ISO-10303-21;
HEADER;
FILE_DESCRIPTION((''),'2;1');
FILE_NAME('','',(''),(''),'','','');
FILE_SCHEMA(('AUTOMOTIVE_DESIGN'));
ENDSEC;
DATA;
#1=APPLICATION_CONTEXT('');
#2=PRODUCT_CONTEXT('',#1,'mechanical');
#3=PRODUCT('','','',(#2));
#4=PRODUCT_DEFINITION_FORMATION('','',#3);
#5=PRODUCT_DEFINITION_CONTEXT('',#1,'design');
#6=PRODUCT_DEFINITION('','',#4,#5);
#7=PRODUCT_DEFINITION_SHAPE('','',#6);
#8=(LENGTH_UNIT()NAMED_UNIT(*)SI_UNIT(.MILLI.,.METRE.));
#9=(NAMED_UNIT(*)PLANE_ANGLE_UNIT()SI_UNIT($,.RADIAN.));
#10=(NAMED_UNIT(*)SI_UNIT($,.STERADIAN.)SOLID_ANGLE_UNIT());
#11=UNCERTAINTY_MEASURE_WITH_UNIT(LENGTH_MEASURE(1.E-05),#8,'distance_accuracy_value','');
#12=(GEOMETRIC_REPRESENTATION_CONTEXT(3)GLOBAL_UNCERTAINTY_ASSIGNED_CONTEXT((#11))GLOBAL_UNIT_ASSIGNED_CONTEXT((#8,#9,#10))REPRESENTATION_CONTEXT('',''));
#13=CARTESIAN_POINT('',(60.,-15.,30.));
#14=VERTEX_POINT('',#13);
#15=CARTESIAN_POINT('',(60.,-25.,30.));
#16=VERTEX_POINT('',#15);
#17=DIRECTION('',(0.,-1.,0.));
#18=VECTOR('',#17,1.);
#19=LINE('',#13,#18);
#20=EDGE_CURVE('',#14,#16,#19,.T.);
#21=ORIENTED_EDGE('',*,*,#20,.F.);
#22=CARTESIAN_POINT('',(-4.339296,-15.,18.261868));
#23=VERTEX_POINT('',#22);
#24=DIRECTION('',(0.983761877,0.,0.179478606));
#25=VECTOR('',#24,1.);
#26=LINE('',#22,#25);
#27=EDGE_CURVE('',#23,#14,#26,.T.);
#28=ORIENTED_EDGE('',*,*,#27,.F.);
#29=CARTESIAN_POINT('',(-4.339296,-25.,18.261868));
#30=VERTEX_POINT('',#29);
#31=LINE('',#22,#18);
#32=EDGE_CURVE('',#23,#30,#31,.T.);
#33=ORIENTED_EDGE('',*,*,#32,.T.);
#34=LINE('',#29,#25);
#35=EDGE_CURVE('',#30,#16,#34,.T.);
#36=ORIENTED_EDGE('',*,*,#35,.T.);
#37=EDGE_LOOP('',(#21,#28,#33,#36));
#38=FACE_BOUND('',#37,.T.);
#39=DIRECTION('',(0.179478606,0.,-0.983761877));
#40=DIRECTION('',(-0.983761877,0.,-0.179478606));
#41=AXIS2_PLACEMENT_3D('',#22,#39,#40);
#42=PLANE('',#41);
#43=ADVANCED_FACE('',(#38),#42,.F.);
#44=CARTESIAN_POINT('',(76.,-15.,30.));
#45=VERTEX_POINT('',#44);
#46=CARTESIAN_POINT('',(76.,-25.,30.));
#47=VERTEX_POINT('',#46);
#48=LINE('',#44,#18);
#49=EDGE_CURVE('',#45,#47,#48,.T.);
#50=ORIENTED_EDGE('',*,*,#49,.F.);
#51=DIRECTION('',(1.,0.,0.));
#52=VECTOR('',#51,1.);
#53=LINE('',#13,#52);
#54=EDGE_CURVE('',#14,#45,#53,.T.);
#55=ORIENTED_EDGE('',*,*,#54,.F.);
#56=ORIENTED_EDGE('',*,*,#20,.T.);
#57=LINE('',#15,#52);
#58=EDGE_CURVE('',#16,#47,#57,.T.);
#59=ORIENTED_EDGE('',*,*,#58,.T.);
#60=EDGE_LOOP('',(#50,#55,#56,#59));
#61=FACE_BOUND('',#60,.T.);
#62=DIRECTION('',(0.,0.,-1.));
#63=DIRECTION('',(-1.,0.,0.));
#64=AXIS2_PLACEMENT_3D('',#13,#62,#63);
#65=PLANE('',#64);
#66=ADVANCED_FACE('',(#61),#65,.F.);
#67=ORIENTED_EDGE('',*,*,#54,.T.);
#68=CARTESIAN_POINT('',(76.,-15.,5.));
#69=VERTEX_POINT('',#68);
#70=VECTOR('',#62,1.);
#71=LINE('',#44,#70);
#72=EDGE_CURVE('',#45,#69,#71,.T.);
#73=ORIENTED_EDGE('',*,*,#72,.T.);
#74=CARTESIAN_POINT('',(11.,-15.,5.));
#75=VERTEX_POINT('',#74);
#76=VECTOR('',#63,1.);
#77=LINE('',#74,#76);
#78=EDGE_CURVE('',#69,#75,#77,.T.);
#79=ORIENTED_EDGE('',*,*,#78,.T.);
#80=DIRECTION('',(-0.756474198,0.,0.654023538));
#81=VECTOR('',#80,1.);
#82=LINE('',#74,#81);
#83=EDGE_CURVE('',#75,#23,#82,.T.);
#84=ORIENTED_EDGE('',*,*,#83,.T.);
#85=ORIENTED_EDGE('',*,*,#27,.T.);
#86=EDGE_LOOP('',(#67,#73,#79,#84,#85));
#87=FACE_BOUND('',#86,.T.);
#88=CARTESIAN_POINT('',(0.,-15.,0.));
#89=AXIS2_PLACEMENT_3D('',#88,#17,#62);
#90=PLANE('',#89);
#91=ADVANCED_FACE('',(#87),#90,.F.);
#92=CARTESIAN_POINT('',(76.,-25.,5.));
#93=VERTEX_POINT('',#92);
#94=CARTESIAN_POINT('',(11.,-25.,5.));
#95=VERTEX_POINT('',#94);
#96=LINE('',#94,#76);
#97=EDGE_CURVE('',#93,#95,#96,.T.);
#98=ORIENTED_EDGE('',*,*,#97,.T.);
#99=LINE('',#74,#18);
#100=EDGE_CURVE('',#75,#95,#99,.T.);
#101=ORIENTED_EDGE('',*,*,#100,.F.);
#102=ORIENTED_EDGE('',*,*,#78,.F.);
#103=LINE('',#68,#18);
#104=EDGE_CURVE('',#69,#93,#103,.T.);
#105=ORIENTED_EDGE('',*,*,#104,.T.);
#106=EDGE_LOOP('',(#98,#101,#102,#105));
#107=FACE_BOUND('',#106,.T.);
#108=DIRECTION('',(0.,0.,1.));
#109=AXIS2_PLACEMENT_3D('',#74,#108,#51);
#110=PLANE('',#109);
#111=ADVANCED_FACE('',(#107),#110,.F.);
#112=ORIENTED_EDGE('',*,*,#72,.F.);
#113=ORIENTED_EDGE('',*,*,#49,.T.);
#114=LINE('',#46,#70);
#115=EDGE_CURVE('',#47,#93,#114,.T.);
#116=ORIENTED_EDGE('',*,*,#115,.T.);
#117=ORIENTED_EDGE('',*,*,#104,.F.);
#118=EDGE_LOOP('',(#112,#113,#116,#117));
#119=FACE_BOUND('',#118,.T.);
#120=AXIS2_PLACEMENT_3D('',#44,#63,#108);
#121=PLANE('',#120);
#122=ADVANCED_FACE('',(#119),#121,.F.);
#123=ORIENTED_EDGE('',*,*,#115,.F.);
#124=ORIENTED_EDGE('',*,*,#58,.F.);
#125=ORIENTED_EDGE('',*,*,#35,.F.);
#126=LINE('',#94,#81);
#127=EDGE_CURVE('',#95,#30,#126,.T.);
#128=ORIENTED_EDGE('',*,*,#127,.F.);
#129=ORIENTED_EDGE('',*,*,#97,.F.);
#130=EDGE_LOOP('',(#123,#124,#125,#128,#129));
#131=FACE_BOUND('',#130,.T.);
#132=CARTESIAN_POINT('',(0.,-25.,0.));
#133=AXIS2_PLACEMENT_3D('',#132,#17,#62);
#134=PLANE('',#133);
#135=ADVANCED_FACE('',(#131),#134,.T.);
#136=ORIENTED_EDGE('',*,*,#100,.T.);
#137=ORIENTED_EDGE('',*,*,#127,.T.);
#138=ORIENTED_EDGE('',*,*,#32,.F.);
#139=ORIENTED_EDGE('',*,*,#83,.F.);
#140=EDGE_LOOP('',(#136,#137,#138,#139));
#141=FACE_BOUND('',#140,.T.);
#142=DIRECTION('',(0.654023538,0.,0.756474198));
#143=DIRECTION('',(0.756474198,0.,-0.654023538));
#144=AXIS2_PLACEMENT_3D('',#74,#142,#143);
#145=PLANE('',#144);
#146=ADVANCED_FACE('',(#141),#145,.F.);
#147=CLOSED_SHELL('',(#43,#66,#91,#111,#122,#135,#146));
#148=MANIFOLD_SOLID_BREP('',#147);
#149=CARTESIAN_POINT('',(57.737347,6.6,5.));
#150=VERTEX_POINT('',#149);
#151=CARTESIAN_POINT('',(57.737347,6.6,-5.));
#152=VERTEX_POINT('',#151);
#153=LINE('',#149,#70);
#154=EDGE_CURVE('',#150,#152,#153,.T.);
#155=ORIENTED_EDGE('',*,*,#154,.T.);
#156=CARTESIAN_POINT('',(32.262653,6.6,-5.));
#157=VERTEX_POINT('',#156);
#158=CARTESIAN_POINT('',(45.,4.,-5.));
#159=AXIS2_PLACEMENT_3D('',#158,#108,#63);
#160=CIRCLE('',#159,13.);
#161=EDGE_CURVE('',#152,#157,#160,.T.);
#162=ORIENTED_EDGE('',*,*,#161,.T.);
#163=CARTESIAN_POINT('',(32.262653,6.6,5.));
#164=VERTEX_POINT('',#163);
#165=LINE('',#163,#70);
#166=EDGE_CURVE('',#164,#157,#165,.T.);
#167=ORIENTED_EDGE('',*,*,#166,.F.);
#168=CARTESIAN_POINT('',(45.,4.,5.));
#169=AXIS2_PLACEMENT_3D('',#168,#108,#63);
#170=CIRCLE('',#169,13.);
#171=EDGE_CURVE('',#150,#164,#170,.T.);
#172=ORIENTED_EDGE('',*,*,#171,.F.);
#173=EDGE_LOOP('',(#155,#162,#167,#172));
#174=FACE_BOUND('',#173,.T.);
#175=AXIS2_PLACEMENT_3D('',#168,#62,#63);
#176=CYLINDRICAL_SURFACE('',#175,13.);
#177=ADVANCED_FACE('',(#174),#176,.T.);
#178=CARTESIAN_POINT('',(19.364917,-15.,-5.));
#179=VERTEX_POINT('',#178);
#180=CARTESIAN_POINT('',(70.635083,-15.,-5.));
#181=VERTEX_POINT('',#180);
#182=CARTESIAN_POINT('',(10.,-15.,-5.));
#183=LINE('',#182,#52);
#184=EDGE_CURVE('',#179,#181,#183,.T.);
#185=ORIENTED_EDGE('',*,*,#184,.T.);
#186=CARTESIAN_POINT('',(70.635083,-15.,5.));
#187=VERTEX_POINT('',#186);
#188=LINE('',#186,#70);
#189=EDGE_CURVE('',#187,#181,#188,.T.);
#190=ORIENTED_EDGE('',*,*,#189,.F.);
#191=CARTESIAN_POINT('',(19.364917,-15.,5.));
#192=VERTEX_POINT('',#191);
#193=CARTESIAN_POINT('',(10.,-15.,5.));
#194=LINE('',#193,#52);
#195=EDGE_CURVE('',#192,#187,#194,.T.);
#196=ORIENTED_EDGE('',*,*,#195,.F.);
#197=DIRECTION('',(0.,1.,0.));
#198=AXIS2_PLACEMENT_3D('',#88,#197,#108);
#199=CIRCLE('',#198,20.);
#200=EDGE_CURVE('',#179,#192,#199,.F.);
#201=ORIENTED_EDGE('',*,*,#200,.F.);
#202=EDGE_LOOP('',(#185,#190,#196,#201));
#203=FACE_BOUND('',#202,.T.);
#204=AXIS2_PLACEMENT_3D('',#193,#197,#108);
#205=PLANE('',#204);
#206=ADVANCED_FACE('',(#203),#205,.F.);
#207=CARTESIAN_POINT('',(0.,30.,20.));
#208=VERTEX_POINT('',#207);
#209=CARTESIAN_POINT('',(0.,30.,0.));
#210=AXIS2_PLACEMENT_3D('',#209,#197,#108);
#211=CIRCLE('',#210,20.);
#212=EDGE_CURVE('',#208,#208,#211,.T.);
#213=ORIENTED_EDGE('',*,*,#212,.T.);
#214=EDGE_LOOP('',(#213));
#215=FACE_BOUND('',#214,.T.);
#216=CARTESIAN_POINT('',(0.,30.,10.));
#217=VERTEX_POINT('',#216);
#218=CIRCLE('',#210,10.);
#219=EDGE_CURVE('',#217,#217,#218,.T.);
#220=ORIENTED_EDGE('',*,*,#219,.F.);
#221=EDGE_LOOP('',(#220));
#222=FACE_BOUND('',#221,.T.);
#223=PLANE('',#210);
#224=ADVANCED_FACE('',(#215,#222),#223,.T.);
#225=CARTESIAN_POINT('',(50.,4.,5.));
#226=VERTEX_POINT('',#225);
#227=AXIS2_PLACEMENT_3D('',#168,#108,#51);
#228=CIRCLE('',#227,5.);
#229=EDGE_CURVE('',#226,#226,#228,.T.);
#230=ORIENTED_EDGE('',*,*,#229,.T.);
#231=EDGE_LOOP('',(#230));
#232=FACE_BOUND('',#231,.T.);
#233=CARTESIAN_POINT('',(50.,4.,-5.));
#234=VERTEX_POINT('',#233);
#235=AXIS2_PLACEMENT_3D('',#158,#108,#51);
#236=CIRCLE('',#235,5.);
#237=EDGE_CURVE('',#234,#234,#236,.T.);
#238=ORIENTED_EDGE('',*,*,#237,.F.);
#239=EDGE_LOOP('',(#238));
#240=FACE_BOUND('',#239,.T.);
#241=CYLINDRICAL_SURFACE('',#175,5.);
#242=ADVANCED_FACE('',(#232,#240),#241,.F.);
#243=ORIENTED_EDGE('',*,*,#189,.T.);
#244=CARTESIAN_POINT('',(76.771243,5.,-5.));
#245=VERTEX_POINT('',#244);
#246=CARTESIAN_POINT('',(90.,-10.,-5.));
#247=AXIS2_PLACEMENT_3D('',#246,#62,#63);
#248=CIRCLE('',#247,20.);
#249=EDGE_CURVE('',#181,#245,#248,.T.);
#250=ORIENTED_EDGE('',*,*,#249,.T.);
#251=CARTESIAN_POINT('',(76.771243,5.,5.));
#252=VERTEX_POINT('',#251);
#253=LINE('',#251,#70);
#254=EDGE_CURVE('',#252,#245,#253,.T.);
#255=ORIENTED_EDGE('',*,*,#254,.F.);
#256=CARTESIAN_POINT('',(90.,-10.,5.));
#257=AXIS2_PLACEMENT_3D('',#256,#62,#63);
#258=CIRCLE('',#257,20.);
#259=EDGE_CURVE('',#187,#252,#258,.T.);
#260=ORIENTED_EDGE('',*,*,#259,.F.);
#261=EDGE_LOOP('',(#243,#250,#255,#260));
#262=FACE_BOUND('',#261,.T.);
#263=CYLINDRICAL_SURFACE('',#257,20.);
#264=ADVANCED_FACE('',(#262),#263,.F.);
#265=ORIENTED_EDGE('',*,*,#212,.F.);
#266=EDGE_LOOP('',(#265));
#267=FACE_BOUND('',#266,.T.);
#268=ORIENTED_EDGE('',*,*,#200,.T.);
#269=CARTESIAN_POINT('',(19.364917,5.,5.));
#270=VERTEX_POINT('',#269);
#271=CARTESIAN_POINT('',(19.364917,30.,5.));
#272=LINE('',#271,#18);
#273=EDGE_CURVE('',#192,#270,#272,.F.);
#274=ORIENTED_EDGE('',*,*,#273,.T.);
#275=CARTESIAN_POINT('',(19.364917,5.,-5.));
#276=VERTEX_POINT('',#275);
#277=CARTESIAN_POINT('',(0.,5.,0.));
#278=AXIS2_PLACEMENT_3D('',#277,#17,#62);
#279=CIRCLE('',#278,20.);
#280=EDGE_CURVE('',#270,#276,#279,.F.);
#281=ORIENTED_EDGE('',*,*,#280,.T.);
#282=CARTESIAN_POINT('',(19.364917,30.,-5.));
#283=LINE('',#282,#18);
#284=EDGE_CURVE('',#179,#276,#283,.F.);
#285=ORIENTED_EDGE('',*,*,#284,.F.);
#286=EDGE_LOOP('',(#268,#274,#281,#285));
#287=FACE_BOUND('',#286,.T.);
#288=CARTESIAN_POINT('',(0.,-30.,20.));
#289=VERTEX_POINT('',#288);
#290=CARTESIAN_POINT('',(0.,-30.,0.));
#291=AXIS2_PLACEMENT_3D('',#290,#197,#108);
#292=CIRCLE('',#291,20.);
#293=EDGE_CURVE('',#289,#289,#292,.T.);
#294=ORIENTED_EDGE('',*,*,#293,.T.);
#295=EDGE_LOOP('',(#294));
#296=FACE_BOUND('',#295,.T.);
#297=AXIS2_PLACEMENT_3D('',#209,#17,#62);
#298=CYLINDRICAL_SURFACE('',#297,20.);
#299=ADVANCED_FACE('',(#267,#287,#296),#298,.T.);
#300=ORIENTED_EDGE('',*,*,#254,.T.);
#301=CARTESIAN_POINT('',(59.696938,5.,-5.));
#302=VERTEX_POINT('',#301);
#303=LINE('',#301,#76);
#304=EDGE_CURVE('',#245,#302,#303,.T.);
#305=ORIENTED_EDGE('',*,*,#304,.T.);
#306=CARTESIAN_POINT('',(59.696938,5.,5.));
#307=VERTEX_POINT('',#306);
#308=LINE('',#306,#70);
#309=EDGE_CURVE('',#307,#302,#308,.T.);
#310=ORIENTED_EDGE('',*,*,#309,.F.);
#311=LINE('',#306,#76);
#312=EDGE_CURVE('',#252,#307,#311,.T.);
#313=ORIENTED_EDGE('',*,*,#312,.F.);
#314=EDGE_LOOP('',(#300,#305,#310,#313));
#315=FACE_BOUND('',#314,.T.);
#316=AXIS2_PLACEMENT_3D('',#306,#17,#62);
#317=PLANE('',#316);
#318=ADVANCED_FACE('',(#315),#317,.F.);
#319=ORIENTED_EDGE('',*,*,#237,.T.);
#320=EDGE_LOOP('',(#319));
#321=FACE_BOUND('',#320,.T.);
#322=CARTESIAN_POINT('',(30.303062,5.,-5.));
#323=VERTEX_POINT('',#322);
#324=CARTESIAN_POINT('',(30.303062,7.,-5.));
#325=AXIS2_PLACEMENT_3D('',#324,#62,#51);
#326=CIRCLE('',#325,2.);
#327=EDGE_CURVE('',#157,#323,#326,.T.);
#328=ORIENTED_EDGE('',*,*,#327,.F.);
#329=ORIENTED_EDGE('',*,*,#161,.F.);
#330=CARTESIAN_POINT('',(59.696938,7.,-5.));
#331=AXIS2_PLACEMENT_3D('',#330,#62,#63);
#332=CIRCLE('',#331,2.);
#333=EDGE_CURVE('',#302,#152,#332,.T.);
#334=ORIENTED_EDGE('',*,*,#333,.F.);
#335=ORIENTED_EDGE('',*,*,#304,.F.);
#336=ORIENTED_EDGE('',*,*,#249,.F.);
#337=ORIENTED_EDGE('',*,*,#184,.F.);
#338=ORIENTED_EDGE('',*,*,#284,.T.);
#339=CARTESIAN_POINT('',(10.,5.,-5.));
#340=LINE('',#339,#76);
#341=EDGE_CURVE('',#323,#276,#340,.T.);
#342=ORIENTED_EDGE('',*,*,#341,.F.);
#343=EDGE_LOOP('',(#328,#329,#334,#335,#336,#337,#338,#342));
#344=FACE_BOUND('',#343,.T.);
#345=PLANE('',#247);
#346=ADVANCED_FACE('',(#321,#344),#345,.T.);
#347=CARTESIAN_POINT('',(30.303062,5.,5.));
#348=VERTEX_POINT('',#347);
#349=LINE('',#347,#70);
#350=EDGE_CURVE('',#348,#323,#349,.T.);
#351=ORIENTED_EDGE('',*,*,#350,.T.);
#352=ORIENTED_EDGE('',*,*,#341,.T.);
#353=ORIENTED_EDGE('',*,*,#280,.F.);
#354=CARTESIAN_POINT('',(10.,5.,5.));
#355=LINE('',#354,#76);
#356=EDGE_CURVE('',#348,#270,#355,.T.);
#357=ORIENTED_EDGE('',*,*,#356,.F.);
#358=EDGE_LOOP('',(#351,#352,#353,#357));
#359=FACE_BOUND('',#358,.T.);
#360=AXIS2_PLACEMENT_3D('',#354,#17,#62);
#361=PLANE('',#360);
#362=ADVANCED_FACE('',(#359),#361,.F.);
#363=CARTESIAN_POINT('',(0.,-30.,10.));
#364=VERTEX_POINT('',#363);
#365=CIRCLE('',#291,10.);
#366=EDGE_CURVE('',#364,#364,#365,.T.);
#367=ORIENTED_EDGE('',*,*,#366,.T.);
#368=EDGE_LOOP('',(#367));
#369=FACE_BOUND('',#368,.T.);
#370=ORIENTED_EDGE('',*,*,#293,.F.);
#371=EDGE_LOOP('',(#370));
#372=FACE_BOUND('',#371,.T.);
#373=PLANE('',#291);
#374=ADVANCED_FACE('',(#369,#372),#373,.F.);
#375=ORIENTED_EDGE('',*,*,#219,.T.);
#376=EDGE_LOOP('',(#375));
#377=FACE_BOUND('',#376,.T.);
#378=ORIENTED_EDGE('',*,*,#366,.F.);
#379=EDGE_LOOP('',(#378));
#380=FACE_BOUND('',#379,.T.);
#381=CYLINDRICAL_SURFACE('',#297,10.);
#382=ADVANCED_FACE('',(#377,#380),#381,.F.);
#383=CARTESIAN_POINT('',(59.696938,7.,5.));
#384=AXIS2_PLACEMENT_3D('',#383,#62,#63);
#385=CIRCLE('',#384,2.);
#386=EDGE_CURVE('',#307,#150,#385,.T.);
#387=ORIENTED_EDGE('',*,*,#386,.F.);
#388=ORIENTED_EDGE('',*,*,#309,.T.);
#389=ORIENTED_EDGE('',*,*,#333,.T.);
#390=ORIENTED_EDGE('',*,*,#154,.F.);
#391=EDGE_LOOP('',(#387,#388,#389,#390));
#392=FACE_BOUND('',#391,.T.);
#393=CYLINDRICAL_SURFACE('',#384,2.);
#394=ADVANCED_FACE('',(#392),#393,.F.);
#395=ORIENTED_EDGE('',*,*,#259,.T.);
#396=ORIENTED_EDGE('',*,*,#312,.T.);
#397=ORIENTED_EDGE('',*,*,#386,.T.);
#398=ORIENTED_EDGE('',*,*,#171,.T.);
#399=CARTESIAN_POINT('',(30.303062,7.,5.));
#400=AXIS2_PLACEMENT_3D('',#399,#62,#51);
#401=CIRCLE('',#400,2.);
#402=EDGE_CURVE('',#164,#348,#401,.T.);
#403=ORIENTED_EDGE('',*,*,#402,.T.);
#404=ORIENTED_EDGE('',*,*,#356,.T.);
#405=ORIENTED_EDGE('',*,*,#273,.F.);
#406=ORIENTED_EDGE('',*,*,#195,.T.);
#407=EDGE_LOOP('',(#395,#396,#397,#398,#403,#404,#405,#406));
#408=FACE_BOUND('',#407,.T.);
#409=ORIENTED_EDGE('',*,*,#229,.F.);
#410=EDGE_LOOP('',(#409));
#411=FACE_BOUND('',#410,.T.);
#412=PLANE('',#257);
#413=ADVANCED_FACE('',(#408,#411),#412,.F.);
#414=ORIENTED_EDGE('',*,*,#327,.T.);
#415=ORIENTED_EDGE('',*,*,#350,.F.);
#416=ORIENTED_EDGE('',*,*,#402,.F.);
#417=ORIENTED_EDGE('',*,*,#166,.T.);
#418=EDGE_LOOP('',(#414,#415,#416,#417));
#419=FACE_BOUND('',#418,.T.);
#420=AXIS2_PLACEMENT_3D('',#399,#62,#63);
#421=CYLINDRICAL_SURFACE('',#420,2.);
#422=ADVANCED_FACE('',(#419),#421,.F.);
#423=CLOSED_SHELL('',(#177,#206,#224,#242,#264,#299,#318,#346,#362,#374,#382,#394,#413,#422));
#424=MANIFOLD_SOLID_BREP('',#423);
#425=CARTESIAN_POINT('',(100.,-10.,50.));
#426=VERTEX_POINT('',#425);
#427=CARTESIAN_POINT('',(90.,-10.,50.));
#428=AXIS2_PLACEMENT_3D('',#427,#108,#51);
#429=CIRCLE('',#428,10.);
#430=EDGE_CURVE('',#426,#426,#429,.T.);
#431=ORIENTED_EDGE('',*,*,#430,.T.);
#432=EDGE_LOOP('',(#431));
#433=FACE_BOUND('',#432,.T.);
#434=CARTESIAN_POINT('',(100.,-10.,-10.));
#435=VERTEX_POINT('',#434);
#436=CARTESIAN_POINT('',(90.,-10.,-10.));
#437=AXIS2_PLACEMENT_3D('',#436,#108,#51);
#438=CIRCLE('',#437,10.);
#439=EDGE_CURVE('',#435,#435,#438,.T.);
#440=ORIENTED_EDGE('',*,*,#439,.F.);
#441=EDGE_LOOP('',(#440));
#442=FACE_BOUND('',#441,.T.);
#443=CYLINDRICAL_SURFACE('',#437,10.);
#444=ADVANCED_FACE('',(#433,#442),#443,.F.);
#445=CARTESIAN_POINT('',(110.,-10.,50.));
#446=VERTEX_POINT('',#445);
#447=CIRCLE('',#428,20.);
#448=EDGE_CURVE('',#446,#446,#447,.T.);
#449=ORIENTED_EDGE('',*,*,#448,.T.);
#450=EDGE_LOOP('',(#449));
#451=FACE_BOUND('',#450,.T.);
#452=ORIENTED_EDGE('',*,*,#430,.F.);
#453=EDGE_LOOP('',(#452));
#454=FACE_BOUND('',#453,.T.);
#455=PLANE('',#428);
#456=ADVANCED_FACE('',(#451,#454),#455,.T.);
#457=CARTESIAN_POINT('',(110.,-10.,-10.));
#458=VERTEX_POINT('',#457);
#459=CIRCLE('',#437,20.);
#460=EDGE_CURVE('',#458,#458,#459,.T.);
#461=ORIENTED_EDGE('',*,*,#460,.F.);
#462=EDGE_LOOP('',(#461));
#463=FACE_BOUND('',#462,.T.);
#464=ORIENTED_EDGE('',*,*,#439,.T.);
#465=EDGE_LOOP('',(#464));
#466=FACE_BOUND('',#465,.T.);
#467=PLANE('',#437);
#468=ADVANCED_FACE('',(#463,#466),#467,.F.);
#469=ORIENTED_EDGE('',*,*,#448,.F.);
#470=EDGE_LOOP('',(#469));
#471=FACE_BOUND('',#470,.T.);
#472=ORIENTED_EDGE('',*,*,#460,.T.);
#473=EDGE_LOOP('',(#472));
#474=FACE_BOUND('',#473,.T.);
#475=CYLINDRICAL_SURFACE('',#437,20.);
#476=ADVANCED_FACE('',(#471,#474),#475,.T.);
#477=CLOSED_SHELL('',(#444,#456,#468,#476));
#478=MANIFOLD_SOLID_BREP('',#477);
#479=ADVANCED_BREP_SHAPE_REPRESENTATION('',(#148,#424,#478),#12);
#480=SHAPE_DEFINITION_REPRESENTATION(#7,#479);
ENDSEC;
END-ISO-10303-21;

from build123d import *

# Parameters (mm, degrees)
SKETCH3_R         = 20
SKETCH3_R_2       = 10
CYL_BLUE_DEPTH    = 60
SKETCH4_R         = 5
BASE_YELLOW_DEPTH = 10
BASE_RED_DEPTH    = 10
SKETCH7_R         = 20
SKETCH7_R_2       = 10
CYL_PURPLE_DEPTH  = 60


with BuildPart() as part:
    # Sketch3 → cyl- blue (new body)
    with BuildSketch(Plane.XY.offset(50)):
        with Locations((90, -10)):
            Circle(SKETCH3_R)
        with Locations((90, -10)):
            Circle(SKETCH3_R_2, mode=Mode.SUBTRACT)
    extrude(amount=-CYL_BLUE_DEPTH)


with BuildPart() as body_2:
    # Sketch4 → base- yellow (new body)
    with BuildSketch(Plane.XY.offset(-5)):
        with BuildLine():
            Line((10, -15), (70.635083269, -15))
            ThreePointArc((70.635083269, -15), (70.879673523, -4.133730706), (76.771243445, 5))
            Line((76.771243445, 5), (59.696938457, 5))
            ThreePointArc((59.696938457, 5), (58.432027393, 5.450806662), (57.737346662, 6.6))
            ThreePointArc((57.737346662, 6.6), (45, 17), (32.262653338, 6.6))
            ThreePointArc((32.262653338, 6.6), (31.567972607, 5.450806662), (30.303061543, 5))
            Line((30.303061543, 5), (10, 5))
            Line((10, 5), (10, -15))
        make_face()
        with Locations((45, 4)):
            Circle(SKETCH4_R, mode=Mode.SUBTRACT)
    extrude(amount=BASE_YELLOW_DEPTH)

    # Sketch7 → cyl-purple (add)
    with BuildSketch(Plane(origin=(0, -30, 0), x_dir=(1, 0, 0), z_dir=(0, 1, 0))):
        Circle(SKETCH7_R)
        Circle(SKETCH7_R_2, mode=Mode.SUBTRACT)
    extrude(amount=CYL_PURPLE_DEPTH)


with BuildPart() as body_3:
    # Sketch6 → base-red (new body)
    with BuildSketch(Plane(origin=(0, -25, 0), x_dir=(1, 0, 0), z_dir=(0, 1, 0))):
        Polygon((11, -5), (76, -5), (76, -30), (60, -30), (-4.339296012, -18.261867577), align=None)
    extrude(amount=BASE_RED_DEPTH)


solid = Compound([part.part, body_2.part, body_3.part])
